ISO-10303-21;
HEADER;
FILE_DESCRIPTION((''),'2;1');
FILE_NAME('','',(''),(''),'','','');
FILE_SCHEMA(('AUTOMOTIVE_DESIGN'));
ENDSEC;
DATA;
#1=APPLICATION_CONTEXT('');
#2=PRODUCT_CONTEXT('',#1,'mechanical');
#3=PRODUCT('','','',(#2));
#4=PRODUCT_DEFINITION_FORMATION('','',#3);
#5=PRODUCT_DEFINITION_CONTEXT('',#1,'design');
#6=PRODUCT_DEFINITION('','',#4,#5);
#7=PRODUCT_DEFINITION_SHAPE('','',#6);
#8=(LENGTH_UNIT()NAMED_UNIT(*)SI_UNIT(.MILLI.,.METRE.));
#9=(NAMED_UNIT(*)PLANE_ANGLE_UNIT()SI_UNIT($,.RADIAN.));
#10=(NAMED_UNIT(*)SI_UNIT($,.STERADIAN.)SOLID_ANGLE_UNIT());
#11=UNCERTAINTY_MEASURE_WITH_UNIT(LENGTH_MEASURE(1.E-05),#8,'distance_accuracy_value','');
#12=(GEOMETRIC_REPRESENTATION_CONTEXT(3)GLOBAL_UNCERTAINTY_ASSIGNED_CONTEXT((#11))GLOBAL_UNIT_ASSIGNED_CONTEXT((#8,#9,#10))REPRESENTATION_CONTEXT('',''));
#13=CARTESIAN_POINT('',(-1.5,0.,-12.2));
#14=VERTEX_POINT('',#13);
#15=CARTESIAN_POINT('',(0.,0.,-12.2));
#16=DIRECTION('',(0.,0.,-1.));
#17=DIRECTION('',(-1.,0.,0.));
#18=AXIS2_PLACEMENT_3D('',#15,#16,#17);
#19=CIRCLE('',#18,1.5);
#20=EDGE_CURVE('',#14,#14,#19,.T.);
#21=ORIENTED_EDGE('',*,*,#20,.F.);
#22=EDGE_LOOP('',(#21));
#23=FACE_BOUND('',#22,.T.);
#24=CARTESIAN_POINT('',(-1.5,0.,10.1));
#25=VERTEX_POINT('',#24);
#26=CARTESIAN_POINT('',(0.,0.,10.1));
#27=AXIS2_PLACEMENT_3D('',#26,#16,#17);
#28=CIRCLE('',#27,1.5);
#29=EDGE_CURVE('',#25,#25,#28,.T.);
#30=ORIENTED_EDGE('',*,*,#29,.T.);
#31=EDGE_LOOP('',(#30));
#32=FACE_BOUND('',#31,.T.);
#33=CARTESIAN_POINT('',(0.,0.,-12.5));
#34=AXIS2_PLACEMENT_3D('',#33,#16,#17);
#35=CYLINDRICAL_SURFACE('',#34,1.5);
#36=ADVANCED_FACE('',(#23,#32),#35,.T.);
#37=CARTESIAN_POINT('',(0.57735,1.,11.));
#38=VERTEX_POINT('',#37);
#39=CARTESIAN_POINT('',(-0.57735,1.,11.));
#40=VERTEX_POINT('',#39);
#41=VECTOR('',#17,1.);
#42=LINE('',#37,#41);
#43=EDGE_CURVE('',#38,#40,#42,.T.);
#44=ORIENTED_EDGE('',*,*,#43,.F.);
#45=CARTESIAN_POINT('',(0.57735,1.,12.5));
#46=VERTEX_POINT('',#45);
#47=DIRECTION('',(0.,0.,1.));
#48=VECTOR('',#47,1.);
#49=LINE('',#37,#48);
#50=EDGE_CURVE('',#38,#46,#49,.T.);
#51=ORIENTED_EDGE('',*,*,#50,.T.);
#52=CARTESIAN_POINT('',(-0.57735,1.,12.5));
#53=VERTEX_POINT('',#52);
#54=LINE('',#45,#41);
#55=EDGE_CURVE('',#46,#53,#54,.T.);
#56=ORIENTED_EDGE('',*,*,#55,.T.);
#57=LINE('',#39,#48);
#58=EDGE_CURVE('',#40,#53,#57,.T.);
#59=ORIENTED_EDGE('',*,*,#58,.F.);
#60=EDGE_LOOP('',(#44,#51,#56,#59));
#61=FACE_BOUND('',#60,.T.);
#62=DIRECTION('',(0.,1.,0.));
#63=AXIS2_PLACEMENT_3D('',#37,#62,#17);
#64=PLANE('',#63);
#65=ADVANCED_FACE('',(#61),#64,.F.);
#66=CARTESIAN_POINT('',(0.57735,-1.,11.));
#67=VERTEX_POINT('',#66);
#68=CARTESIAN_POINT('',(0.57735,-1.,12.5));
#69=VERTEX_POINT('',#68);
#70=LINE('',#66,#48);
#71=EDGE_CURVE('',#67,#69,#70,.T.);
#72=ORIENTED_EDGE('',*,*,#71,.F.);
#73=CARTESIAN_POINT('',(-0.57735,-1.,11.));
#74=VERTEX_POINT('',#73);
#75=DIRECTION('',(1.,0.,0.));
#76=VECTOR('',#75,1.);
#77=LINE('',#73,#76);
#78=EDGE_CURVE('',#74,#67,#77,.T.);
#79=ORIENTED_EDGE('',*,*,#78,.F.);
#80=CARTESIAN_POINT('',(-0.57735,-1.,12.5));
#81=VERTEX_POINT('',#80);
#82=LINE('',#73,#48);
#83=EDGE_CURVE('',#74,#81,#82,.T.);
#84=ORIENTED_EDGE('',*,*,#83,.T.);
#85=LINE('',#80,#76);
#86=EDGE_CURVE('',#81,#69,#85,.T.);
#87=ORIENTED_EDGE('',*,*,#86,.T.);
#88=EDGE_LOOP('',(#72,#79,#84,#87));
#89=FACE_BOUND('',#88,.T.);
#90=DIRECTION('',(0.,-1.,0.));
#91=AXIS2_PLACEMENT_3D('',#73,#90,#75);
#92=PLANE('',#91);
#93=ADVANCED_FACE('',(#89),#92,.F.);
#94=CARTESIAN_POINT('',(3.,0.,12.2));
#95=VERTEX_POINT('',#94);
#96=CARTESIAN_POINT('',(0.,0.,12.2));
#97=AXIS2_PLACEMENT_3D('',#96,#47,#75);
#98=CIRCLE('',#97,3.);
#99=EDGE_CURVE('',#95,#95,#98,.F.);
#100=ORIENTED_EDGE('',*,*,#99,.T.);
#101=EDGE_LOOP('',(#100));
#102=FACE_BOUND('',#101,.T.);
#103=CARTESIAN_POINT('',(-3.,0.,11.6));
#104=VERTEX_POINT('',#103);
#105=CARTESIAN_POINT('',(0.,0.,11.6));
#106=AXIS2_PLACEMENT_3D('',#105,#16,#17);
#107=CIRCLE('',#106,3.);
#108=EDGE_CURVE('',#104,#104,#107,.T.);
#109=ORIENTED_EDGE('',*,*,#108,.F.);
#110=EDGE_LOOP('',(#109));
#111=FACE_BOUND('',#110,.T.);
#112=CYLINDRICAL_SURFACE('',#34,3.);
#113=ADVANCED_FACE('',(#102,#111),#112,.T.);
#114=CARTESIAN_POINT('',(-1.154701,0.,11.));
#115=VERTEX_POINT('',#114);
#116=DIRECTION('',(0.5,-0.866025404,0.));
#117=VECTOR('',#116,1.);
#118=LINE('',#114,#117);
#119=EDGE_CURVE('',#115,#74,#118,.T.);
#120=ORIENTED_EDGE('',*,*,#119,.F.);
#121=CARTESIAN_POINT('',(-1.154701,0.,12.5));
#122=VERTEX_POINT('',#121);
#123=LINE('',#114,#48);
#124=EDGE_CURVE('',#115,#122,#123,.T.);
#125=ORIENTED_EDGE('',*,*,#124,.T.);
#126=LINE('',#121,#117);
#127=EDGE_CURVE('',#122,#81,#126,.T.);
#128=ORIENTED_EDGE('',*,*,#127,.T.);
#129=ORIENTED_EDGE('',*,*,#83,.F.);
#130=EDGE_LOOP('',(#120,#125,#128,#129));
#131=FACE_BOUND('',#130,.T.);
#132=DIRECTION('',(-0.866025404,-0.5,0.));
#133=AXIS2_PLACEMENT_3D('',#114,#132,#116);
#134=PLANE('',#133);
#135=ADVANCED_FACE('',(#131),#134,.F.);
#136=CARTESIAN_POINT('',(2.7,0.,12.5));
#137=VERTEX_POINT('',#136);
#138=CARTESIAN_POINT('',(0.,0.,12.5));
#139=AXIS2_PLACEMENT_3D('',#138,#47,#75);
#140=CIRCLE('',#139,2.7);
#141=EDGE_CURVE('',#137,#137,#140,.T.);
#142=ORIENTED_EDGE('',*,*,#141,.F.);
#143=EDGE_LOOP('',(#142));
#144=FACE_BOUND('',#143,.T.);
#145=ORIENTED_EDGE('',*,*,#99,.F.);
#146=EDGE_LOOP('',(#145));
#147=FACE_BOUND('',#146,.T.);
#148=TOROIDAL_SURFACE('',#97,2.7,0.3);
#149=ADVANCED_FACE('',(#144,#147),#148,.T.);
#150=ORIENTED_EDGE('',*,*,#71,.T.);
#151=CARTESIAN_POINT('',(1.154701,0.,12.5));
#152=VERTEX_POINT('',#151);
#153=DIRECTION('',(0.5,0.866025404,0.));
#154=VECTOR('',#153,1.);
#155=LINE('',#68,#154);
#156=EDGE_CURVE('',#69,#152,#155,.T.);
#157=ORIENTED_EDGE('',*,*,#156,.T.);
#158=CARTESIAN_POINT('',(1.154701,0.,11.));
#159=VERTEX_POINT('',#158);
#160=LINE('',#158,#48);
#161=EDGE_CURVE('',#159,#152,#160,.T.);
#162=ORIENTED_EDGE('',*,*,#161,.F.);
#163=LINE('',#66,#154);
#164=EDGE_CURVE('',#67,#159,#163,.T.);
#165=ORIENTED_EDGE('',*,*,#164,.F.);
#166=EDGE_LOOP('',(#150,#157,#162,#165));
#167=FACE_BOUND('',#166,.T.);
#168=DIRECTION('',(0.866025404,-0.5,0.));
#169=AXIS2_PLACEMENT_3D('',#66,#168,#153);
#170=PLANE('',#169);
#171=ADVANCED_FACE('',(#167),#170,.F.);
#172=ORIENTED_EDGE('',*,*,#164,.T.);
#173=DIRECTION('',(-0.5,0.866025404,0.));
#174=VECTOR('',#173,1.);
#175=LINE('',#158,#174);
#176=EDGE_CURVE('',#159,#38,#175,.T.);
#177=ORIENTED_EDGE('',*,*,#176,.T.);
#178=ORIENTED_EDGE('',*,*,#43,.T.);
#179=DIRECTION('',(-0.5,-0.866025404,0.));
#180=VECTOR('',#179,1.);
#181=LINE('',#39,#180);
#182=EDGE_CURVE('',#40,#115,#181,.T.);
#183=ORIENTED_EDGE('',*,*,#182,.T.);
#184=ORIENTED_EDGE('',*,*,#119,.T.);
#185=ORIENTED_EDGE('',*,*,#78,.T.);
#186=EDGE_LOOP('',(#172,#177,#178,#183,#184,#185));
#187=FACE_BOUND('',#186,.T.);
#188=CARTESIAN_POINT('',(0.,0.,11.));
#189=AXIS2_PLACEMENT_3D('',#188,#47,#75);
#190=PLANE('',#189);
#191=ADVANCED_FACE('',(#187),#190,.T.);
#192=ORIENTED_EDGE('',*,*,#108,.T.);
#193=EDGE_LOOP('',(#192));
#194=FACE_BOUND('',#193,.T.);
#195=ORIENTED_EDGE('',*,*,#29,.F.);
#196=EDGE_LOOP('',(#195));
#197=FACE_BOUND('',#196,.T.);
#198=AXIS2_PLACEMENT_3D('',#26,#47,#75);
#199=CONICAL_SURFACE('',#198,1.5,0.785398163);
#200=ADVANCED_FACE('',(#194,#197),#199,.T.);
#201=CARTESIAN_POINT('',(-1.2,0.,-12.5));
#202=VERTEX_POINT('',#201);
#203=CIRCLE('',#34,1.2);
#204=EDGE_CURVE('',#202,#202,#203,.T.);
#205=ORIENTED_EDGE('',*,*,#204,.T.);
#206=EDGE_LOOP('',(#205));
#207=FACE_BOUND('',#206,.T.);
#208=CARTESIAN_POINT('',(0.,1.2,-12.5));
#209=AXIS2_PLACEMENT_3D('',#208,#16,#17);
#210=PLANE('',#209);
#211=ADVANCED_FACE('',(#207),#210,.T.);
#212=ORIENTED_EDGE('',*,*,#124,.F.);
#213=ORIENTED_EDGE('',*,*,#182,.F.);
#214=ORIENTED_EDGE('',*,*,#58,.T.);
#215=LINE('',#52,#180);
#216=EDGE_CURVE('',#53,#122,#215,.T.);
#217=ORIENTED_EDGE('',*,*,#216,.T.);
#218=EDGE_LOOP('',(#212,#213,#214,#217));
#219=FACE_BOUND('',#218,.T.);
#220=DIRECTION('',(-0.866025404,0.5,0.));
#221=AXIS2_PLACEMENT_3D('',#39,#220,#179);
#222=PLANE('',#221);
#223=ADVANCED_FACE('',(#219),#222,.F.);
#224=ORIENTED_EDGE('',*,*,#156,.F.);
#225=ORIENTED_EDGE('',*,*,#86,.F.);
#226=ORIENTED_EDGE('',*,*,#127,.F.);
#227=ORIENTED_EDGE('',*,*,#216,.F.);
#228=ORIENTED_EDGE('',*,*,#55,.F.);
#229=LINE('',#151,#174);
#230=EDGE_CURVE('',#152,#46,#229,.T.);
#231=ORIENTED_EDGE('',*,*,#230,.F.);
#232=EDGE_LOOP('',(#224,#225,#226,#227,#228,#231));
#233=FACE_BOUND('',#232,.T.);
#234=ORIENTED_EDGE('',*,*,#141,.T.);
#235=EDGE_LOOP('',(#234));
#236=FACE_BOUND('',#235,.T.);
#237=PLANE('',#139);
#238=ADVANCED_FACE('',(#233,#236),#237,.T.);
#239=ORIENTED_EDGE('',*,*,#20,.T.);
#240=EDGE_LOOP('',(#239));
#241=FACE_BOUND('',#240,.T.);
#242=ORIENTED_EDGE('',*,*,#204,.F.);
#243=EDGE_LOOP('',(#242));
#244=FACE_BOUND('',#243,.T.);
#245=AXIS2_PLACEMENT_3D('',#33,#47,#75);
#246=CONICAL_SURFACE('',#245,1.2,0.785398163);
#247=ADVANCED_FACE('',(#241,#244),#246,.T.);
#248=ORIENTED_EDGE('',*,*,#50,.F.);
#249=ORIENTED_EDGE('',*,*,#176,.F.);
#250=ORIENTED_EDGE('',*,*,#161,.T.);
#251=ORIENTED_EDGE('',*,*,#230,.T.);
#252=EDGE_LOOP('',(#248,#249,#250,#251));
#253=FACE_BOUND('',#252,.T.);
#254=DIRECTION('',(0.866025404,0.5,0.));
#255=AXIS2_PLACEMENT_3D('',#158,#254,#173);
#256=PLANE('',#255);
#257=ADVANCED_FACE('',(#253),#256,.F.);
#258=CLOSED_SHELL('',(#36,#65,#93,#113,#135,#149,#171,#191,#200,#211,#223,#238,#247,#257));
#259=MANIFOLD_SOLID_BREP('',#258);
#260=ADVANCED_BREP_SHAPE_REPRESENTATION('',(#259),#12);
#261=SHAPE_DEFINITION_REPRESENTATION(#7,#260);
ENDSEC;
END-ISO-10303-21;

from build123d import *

# Parameters (mm, degrees)
CUT_EXTRUDE_1_DEPTH = 1.5
FILLET_1_R          = 0.3


with BuildPart() as part:
    # 草图1 → 旋转1 (revolve)
    with BuildSketch(Plane(origin=(0, 0, 0), x_dir=(0, 0, -1), z_dir=(1, 0, 0)), mode=Mode.PRIVATE) as revolve_1_sk:
        Polygon((-12.5, 0), (-12.5, 3), (-11.6, 3), (-10.1, 1.5), (12.2, 1.5), (12.5, 1.2), (12.5, 0), align=None)
    revolve(revolve_1_sk.sketch.rotate(Axis((0, 0, -12.5), (0, 0, 1)), 90), axis=Axis((0, 0, -12.5), (0, 0, 1)))

    # 草图2 → 切除-拉伸1 (cut)
    with BuildSketch(Plane.XY.offset(12.5)):
        Polygon((1.154700538, 0), (0.577350269, 1), (-0.577350269, 1), (-1.154700538, 0), (-0.577350269, -1), (0.577350269, -1), align=None)
    extrude(amount=-CUT_EXTRUDE_1_DEPTH, mode=Mode.SUBTRACT)

    # 圆角1
    fillet_1_edges = [part.edges().sort_by_distance(p)[0] for p in [
        (3, 0, 12.5),
    ]]
    fillet(fillet_1_edges, radius=FILLET_1_R)


solid = part.part
